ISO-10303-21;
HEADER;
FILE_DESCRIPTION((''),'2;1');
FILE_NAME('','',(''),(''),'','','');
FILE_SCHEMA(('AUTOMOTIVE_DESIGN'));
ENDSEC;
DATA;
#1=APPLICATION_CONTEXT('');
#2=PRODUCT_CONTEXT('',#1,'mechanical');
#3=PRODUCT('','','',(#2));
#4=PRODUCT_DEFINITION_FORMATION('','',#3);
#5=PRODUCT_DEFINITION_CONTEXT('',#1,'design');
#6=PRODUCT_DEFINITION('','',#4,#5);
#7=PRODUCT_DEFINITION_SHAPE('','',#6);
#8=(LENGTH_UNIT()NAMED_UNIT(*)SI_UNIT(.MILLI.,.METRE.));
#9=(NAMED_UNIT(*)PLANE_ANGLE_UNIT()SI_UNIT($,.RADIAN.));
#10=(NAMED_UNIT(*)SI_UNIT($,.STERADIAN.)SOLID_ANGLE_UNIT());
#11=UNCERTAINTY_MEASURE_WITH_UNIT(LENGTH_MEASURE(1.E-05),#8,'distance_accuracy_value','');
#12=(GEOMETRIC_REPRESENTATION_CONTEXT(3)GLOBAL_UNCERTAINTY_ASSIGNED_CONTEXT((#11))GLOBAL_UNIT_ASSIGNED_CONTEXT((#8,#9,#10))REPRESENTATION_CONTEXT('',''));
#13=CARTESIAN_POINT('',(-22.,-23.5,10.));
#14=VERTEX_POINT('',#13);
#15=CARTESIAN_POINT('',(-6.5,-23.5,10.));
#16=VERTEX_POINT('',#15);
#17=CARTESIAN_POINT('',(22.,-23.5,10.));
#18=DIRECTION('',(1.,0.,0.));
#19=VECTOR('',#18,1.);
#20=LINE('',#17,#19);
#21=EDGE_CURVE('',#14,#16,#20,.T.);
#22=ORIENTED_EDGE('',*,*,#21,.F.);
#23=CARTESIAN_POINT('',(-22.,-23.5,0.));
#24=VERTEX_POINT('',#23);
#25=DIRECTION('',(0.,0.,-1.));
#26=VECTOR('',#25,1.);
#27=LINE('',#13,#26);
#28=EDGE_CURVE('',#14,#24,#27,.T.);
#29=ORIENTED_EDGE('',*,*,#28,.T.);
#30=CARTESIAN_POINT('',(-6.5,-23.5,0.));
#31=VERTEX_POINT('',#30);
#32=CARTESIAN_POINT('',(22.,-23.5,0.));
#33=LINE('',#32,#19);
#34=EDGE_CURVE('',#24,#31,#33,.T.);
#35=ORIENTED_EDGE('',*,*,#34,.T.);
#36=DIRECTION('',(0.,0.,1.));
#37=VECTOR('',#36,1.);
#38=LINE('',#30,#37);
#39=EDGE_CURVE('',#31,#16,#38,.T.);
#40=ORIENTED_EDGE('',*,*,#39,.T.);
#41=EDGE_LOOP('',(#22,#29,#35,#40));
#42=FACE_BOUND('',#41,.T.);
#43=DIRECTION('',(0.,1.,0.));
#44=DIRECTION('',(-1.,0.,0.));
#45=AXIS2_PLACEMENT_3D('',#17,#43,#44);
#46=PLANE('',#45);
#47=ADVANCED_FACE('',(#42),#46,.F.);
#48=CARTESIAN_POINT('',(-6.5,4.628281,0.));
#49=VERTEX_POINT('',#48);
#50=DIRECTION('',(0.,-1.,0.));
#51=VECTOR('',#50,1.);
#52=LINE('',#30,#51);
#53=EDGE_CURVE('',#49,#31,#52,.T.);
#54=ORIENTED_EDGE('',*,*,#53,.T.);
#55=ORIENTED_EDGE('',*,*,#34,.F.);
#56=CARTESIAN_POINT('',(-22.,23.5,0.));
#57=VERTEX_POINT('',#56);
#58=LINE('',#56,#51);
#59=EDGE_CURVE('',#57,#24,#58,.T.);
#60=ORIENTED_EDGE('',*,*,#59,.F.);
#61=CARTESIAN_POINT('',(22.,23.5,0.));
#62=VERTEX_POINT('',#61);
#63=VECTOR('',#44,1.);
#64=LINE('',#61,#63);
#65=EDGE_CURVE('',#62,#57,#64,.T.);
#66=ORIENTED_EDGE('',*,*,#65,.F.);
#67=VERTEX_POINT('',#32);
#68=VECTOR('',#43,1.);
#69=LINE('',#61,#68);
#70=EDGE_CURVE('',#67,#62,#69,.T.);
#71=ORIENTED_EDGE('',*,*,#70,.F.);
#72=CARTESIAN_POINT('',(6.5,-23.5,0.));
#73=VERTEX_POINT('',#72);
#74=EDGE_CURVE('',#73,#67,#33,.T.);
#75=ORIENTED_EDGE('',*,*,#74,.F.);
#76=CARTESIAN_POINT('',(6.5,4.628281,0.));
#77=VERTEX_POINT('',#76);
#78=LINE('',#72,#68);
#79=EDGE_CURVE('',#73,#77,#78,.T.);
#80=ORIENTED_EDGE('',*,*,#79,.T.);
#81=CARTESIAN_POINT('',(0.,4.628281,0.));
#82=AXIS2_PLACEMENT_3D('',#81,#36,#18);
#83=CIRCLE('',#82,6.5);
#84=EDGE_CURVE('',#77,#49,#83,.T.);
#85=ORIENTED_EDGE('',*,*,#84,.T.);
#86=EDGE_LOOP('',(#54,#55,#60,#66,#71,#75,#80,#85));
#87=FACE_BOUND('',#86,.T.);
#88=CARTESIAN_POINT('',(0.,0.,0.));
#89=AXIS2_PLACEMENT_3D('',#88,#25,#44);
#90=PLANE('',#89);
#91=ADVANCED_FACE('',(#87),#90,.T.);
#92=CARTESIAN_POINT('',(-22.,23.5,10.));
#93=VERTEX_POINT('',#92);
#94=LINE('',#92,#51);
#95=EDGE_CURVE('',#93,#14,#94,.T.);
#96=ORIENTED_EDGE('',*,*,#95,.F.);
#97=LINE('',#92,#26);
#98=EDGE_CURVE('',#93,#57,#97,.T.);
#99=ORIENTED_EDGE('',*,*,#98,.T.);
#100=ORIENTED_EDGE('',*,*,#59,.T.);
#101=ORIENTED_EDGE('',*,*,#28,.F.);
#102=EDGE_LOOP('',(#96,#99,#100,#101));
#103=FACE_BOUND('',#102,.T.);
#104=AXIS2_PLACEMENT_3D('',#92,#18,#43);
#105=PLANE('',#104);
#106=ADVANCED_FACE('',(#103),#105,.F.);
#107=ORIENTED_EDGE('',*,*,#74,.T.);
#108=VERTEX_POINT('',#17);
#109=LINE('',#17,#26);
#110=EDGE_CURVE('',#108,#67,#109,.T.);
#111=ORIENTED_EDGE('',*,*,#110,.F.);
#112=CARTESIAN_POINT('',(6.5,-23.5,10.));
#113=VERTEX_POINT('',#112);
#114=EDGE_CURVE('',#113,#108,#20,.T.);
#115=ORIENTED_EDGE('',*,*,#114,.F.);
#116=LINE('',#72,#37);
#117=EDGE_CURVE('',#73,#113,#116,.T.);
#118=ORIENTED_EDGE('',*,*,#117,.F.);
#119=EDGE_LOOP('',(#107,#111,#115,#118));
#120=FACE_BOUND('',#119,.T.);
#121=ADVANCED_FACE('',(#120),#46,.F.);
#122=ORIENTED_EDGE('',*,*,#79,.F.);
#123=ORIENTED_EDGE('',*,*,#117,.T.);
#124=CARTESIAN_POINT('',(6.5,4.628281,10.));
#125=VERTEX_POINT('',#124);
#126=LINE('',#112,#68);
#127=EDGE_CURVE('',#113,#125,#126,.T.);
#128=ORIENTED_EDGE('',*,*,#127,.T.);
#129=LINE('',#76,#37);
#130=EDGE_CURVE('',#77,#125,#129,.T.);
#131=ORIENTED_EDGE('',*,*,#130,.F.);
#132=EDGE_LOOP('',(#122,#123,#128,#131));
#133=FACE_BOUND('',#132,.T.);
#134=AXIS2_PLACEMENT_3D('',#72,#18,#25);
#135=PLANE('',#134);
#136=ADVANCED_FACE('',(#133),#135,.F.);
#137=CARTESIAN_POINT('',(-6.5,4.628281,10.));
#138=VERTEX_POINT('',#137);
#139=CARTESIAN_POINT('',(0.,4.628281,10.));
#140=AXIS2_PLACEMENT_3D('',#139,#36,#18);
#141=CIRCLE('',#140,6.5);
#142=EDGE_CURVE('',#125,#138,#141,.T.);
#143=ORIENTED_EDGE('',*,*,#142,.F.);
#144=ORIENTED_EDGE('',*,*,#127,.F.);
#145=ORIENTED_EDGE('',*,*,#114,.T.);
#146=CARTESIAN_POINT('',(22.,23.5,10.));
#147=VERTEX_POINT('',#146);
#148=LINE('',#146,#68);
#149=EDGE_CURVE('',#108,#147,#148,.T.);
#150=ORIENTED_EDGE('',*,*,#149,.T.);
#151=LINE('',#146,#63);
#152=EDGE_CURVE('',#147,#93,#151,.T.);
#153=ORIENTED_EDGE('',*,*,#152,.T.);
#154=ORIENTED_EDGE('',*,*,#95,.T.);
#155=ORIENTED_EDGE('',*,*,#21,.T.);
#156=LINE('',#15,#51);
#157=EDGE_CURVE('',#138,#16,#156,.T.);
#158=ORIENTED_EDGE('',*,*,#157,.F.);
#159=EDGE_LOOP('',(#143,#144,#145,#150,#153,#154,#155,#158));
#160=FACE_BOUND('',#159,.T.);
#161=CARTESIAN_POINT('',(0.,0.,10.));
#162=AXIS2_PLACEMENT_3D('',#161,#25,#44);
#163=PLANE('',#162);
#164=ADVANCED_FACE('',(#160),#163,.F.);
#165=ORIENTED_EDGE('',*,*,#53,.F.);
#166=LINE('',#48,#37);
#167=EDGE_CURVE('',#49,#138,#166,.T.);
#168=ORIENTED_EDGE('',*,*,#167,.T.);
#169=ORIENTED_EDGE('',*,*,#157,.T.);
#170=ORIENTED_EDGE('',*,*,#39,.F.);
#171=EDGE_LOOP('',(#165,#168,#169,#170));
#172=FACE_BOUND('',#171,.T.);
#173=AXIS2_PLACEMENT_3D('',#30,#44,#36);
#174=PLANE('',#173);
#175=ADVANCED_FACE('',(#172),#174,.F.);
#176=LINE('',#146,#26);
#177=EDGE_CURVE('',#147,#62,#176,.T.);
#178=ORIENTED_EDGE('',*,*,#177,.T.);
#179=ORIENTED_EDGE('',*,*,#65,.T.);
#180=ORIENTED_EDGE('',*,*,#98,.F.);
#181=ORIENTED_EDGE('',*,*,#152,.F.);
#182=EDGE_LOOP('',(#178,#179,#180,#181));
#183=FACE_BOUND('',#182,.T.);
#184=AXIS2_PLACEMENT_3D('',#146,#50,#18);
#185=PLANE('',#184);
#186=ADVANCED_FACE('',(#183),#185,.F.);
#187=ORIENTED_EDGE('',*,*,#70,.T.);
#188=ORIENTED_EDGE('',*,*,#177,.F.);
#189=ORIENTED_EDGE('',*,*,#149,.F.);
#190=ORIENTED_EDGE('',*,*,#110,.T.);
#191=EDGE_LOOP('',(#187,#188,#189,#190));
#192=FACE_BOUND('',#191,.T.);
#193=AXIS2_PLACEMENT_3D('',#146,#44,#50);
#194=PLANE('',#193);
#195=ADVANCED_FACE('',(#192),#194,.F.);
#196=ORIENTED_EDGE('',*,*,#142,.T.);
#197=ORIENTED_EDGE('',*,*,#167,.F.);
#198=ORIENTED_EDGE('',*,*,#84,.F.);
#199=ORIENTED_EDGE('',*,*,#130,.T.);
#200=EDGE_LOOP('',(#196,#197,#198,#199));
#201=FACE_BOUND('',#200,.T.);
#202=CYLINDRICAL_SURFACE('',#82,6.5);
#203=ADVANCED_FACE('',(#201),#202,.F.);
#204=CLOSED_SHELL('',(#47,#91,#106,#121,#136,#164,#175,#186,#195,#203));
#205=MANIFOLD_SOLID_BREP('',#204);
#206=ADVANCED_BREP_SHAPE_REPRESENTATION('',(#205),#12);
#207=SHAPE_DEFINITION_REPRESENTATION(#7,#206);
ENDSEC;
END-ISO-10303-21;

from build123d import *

# Parameters (mm, degrees)
SKETCH2_W           = 44
SKETCH2_H           = 47
BOSS_EXTRUDE1_DEPTH = 10
CUT_EXTRUDE1_DEPTH  = 10


with BuildPart() as part:
    # Sketch2 → Boss-Extrude1 (new body)
    with BuildSketch(Plane.XY):
        Rectangle(SKETCH2_W, SKETCH2_H)
    extrude(amount=BOSS_EXTRUDE1_DEPTH)

    # Sketch3 → Cut-Extrude1 (cut)
    with BuildSketch(Plane.XY.offset(10)):
        with BuildLine():
            Line((-6.5, -23.5), (-6.5, 4.628280517))
            ThreePointArc((-6.5, 4.628280517), (0, 11.128280517), (6.5, 4.628280517))
            Line((6.5, 4.628280517), (6.5, -23.5))
            ThreePointArc((6.5, -23.5), (0, -30), (-6.5, -23.5))
        make_face()
    extrude(amount=-CUT_EXTRUDE1_DEPTH, mode=Mode.SUBTRACT)


solid = part.part
